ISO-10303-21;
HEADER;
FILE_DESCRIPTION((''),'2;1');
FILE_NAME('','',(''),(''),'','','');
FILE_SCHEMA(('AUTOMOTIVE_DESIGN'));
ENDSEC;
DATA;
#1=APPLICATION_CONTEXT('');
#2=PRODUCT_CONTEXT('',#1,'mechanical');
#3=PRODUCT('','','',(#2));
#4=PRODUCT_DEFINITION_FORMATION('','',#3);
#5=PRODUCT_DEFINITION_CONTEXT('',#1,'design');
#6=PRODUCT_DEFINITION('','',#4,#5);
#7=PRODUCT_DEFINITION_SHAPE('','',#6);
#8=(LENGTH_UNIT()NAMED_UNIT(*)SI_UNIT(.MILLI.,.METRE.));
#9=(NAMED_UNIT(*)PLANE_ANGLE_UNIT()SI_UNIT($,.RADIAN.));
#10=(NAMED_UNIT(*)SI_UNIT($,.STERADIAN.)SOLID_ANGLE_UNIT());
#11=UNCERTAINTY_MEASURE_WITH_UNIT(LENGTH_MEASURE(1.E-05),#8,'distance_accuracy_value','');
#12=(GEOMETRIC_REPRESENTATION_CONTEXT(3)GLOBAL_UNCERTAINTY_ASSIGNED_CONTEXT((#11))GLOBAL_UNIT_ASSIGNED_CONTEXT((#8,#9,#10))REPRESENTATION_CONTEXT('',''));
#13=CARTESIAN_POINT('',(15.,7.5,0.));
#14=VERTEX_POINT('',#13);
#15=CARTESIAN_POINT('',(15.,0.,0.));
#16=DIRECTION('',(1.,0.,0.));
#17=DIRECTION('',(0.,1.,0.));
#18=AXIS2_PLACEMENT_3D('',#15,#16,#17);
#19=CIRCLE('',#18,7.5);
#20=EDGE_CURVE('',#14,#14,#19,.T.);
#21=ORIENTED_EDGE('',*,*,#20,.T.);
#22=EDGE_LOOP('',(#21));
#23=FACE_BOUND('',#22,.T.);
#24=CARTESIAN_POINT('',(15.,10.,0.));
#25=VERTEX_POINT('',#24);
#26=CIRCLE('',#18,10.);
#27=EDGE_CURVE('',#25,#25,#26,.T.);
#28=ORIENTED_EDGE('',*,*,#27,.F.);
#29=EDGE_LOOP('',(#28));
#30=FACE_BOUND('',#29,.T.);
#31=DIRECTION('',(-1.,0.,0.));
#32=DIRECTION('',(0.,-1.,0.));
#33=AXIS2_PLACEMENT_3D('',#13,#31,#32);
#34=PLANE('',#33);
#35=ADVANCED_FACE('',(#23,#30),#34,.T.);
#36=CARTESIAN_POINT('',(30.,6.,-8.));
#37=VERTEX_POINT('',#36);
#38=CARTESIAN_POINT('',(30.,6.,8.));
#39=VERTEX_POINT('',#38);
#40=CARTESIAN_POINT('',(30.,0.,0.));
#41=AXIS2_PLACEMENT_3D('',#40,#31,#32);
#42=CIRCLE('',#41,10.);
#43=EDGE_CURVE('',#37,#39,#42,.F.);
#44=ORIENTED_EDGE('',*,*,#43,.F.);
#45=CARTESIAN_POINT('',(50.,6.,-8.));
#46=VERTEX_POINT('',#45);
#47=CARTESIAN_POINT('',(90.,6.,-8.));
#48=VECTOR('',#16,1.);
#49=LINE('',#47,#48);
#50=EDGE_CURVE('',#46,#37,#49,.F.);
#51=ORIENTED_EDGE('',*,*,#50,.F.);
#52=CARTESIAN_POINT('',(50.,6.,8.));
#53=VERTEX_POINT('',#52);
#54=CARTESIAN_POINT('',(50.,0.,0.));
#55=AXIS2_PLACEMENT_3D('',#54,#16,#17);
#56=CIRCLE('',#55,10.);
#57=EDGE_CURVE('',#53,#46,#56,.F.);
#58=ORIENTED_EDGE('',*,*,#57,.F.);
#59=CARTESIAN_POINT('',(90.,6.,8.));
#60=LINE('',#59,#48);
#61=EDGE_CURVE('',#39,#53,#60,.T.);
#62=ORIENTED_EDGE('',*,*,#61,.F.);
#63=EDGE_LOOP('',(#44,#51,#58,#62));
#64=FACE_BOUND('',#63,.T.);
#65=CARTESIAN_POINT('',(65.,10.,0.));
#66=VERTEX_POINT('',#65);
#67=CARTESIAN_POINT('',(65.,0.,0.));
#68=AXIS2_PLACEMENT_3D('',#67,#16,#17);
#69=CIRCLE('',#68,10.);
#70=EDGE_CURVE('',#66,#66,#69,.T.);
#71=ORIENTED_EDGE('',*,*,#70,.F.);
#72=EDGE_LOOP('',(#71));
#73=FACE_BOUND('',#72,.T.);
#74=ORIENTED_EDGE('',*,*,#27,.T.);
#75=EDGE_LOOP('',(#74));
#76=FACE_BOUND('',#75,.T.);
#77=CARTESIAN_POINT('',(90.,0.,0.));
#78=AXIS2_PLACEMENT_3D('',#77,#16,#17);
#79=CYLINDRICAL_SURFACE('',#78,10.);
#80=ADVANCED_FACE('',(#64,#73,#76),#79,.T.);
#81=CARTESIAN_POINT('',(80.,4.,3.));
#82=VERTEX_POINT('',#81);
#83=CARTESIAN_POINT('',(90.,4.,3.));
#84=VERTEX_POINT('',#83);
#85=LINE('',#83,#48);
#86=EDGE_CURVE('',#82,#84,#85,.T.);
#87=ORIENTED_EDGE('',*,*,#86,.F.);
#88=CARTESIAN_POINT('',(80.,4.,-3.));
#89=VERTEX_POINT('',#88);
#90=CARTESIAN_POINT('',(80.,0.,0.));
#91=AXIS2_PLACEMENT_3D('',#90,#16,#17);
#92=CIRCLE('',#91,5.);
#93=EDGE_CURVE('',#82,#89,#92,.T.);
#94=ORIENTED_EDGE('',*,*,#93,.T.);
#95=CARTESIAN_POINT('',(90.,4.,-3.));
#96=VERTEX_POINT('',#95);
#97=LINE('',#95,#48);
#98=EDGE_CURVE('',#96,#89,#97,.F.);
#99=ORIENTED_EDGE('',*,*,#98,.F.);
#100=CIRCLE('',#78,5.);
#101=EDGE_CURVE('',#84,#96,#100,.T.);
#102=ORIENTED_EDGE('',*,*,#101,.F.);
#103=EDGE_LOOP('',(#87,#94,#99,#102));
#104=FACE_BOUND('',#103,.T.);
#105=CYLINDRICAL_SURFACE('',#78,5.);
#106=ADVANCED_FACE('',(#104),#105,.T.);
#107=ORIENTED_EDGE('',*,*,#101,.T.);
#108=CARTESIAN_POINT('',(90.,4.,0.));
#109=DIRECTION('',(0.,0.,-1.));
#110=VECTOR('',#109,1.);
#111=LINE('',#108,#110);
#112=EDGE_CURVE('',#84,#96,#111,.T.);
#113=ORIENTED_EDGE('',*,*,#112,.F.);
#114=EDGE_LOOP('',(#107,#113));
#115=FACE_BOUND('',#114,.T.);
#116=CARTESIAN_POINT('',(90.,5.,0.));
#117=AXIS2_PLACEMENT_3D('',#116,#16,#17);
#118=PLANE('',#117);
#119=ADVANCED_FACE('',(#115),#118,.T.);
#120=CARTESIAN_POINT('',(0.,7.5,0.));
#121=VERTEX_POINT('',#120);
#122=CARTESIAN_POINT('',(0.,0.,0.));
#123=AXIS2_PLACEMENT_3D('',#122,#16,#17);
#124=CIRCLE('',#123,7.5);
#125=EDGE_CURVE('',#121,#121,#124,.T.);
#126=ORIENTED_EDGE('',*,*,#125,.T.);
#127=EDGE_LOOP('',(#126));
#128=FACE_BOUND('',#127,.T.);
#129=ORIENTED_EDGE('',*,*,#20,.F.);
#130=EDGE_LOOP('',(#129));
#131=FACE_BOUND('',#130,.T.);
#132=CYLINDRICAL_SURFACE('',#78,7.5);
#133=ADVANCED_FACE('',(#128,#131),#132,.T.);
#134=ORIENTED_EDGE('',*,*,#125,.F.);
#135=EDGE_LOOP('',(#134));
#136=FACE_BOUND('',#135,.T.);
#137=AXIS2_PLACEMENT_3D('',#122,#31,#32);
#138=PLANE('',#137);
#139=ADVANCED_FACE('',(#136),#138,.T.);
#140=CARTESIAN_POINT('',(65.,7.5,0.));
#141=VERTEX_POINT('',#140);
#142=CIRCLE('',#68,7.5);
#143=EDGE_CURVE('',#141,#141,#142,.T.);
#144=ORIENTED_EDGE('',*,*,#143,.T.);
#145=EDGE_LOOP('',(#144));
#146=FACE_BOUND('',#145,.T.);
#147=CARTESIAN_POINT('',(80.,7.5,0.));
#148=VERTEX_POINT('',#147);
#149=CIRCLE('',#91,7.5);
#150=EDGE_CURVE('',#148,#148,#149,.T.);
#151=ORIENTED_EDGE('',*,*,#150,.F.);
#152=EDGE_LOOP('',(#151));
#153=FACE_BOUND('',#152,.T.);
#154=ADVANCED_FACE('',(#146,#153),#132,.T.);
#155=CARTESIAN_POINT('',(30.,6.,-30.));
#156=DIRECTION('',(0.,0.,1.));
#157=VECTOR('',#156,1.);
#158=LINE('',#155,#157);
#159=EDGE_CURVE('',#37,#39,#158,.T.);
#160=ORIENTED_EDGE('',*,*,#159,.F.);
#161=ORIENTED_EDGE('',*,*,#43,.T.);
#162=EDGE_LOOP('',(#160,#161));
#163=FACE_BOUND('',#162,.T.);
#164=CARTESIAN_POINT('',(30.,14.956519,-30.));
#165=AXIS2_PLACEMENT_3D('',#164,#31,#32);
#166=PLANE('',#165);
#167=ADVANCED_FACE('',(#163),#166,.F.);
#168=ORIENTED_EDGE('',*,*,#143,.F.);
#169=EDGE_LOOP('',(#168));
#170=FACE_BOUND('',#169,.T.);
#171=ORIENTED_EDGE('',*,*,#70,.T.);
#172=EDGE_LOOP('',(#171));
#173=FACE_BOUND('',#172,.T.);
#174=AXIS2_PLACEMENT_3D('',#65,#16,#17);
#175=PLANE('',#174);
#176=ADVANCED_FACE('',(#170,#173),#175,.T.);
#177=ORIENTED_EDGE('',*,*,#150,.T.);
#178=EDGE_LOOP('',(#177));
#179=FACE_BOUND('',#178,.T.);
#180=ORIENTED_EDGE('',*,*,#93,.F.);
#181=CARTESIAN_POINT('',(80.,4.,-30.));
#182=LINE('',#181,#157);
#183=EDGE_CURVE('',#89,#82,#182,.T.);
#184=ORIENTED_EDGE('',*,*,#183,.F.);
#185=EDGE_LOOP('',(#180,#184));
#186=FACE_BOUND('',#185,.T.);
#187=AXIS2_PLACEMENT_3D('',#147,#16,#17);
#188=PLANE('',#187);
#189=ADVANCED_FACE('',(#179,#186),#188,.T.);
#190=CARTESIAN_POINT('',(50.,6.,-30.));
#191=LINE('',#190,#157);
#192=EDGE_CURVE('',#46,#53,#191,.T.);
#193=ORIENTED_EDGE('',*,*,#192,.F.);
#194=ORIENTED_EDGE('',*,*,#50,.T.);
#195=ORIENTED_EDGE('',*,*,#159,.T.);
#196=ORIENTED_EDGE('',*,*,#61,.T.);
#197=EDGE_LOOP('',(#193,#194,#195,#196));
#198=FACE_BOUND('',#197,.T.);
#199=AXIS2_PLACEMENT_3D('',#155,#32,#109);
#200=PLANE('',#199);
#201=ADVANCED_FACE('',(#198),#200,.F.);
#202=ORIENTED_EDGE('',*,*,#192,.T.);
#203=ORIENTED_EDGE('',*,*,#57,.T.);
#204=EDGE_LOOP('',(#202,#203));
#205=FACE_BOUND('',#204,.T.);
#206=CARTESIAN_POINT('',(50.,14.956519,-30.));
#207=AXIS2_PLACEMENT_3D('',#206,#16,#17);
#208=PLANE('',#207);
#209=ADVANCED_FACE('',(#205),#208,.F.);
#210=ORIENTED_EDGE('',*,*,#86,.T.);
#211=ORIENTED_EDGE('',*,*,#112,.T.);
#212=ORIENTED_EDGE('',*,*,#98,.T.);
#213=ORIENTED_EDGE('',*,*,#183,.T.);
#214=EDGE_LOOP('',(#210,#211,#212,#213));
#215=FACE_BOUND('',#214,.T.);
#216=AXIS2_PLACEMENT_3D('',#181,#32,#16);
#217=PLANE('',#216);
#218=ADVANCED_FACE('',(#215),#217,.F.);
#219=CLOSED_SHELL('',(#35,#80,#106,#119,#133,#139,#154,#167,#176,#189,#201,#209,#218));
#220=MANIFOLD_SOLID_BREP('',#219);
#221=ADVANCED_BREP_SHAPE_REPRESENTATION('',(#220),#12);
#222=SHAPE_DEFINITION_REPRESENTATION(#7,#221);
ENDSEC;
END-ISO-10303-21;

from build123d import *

# Parameters (mm, degrees)
IZIM3_W               = 20
IZIM3_H               = 8.956518763
IZIM3_W_2             = 16.233107577
IZIM3_H_2             = 7.025571552
KES_EKSTR_ZYON1_DEPTH = 30


with BuildPart() as part:
    # Çizim1 → Döndür2 (revolve)
    with BuildSketch(Plane.XY):
        Polygon((0, 0), (0, 7.5), (15, 7.5), (15, 10), (65, 10), (65, 7.5), (80, 7.5), (80, 5), (90, 5), (90, 0), align=None)
    revolve(axis=Axis((90, 0, 0), (-1, 0, 0)))

    # Çizim3 → Kes-Ekstrüzyon1 (cut, symmetric)
    with BuildSketch(Plane.XY):
        with Locations((40, 10.478259381)):
            Rectangle(IZIM3_W, IZIM3_H)
        with Locations((88.116553788, 7.512785776)):
            Rectangle(IZIM3_W_2, IZIM3_H_2)
    extrude(amount=KES_EKSTR_ZYON1_DEPTH, both=True, mode=Mode.SUBTRACT)


solid = part.part
